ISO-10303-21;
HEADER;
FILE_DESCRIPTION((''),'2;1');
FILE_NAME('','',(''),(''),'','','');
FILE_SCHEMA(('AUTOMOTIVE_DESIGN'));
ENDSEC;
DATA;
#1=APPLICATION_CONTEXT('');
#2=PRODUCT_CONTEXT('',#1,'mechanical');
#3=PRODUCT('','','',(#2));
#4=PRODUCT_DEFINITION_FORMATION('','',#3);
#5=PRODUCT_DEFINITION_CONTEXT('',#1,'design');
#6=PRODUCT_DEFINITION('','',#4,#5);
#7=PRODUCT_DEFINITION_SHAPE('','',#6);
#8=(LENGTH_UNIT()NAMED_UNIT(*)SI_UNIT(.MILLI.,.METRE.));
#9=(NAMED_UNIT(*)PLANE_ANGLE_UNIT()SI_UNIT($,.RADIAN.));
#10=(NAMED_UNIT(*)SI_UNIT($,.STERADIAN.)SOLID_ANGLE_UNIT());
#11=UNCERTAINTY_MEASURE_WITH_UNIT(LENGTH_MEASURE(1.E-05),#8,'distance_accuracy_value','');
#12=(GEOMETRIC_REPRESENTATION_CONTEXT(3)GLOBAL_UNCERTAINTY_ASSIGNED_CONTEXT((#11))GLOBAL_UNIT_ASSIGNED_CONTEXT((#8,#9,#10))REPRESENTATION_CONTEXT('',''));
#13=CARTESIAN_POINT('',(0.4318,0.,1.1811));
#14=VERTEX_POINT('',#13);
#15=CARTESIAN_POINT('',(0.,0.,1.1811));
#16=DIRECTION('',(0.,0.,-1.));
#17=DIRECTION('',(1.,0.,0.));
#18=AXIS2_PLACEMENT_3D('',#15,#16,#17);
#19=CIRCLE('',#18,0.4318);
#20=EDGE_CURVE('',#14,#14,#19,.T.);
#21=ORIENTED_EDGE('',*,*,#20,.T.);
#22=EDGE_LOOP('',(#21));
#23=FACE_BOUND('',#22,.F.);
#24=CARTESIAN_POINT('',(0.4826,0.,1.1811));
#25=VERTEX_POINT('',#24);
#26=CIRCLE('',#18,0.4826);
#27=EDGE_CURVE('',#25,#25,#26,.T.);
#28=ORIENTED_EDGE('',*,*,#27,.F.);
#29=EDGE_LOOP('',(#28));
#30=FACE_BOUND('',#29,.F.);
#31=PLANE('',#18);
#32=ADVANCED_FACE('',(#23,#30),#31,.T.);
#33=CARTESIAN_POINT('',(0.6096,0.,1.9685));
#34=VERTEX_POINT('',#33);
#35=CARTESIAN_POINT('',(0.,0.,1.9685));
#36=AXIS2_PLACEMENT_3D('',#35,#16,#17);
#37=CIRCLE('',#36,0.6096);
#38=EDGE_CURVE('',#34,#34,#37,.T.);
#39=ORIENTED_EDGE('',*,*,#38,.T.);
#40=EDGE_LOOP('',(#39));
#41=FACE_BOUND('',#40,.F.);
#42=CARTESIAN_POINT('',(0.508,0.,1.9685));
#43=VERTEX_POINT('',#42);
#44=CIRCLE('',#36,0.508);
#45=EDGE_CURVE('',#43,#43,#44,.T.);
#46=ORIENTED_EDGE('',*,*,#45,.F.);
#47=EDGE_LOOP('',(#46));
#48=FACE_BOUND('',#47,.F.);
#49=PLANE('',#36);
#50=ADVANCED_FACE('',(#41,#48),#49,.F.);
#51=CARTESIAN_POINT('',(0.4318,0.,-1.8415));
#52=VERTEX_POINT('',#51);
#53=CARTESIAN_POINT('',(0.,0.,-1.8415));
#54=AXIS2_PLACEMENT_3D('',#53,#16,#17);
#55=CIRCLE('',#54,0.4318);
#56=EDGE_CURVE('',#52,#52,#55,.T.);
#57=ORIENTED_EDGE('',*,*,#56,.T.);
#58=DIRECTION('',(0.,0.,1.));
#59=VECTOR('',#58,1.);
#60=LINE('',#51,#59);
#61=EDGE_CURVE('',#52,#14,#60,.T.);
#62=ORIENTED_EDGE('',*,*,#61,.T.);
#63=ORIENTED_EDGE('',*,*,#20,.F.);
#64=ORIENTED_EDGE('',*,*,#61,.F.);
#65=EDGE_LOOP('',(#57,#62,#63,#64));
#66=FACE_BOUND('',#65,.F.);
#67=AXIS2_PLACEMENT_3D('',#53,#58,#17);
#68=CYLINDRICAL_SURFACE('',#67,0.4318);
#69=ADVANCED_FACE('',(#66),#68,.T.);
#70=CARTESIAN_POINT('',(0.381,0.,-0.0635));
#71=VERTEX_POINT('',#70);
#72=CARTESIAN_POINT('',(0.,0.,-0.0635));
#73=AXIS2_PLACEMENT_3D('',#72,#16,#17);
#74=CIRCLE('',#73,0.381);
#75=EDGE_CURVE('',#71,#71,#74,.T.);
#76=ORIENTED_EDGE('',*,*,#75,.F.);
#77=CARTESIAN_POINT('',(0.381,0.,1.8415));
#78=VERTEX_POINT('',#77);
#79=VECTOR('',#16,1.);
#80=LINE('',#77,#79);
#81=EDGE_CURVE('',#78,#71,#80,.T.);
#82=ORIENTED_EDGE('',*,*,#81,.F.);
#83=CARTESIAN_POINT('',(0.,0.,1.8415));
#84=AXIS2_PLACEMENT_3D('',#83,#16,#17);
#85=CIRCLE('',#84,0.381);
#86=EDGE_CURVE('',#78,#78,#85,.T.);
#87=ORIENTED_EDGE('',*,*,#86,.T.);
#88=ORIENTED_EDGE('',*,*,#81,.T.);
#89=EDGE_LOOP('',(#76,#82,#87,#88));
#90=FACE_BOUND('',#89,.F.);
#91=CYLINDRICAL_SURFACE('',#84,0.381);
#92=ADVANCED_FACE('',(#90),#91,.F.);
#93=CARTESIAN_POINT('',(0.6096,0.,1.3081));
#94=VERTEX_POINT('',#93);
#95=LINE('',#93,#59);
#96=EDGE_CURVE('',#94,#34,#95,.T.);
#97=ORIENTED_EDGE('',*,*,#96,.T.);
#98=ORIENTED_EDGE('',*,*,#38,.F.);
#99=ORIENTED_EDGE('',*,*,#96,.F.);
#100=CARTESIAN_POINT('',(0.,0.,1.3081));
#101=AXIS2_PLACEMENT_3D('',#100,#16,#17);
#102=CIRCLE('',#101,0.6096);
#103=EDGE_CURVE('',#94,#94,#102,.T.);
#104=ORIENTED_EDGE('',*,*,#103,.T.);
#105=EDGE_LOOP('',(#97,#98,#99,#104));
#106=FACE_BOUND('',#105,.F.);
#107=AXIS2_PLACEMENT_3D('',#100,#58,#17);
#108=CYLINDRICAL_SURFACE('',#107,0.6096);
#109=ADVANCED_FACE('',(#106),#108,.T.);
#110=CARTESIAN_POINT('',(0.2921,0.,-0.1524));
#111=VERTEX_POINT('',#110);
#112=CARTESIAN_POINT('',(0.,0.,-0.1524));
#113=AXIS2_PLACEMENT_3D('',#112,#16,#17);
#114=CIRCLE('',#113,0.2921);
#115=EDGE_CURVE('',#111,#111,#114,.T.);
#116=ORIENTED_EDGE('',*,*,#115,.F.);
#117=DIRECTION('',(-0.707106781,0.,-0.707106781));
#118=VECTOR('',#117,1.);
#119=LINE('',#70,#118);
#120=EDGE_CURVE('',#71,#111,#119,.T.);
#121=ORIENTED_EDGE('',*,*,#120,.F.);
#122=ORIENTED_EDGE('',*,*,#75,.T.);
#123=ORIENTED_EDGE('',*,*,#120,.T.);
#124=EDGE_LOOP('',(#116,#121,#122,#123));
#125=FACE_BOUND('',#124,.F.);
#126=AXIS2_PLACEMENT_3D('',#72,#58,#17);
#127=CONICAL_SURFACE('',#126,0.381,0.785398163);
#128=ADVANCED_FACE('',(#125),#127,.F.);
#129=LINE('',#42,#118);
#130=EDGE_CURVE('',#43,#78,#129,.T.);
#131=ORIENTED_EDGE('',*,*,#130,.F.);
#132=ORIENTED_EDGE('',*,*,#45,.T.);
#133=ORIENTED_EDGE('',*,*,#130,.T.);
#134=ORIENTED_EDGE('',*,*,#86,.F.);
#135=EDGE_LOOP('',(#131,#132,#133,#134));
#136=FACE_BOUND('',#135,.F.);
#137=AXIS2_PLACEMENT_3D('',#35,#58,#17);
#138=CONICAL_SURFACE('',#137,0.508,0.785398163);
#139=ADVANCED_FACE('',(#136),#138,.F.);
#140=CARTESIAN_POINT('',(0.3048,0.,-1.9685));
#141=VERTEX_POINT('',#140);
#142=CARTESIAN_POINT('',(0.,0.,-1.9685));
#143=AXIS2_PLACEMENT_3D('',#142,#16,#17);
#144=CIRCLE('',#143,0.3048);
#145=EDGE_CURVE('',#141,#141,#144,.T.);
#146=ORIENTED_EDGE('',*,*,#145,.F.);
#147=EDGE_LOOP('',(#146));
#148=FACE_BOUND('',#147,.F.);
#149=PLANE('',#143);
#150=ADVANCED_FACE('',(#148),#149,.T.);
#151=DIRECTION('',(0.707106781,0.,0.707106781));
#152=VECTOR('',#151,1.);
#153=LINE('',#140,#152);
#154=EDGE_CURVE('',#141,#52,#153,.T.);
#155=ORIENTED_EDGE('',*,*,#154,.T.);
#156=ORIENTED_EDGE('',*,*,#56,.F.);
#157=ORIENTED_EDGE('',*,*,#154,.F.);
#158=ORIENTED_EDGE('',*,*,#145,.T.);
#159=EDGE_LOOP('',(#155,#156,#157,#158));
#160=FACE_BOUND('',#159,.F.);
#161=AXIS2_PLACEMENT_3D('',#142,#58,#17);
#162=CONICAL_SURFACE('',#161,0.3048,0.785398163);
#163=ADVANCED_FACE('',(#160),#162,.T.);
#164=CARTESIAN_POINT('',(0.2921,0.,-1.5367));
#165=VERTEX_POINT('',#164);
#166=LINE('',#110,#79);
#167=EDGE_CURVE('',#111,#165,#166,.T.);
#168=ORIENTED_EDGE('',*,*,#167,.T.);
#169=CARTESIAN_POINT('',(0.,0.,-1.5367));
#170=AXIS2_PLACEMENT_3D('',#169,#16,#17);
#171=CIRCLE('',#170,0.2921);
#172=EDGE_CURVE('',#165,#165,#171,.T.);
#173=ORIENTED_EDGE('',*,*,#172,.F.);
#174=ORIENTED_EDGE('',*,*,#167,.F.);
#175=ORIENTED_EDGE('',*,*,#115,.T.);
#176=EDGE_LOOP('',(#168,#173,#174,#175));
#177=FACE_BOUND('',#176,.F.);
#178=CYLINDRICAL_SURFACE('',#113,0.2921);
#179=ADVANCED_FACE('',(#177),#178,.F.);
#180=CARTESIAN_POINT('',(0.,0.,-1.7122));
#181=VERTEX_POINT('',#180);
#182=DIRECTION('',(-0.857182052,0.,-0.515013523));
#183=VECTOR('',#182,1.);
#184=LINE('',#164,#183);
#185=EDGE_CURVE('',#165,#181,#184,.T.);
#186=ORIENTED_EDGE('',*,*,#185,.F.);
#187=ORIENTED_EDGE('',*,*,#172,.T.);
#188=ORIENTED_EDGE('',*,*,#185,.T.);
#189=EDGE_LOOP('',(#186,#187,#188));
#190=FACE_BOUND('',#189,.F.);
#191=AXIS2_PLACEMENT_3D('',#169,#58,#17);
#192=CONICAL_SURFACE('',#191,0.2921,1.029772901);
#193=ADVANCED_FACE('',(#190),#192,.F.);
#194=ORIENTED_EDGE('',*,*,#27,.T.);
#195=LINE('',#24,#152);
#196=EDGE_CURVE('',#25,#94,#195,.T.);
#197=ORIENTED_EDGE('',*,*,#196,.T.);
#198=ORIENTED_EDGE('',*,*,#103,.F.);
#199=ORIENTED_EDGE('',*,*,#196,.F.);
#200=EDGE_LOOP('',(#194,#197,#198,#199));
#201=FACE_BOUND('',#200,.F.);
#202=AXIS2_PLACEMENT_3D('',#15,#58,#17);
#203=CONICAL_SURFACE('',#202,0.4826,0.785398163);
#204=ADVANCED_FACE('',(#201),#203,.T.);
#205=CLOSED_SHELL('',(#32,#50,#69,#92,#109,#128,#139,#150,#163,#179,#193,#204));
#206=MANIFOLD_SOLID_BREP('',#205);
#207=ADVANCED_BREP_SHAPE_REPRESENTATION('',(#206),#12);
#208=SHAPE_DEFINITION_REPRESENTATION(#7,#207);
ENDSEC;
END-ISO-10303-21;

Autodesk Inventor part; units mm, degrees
ref_plane "YZ Plane" through (0, 0, 0) normal (1, 0, 0) x (0, 1, 0)
ref_plane "XZ Plane" through (0, 0, 0) normal (0, 1, 0) x (-1, 0, 0)
ref_plane "XY Plane" through (0, 0, 0) normal (0, 0, 1) x (1, 0, 0)
sketch "Sketch1" plane through (0, 0, 0) normal (0, 1, 0) x (-1, 0, 0)
  line L0 (0, -1.9685) -> (-0.3048, -1.9685)
  line L1 (-0.3048, -1.9685) -> (-0.4318, -1.8415)
  line L2 (-0.4318, -1.8415) -> (-0.4318, 1.1811)
  line L3 (-0.4318, 1.1811) -> (-0.4826, 1.1811)
  line L4 (-0.4826, 1.1811) -> (-0.6096, 1.3081)
  line L5 (-0.6096, 1.3081) -> (-0.6096, 1.9685)
  line L6 (-0.6096, 1.9685) -> (-0.508, 1.9685)
  line L7 (-0.508, 1.9685) -> (-0.381, 1.8415)
  line L8 (-0.381, 1.8415) -> (-0.381, -0.0635)
  line L9 (-0.381, -0.0635) -> (-0.2921, -0.1524)
  line L10 (-0.2921, -0.1524) -> (-0.2921, -1.5367)
  line L11 (-0.2921, -1.5367) -> (0, -1.7122)
  line L12 (0, -1.7122) -> (0, -1.9685)
  line L13 (0, -1.9685) -> (0, 1.9685) construction
  point P0 (0, 0)
  point P1 (0, 0)
  dimension "d0" = 1.2192
  dimension "d1" = 0.7874
  dimension "d2" = 2.032
  dimension "d3" = 3.937
  dimension "d4" = 3.5052
  dimension "d5" = 59
  dimension "d6" = 135
  dimension "d7" = 0.8636
  dimension "d8" = 0.5842
  dimension "d9" = 0.127
  dimension "d10" = 0.762
  dimension "d11" = 1.016
revolve "Revolution1" add sketch "Sketch1" angle 360 about axis through (0, 0, -1.7122) along (0, 0, -1)
properties part number "PinRecepticle-0.38-0.56mm" material "Copper"
